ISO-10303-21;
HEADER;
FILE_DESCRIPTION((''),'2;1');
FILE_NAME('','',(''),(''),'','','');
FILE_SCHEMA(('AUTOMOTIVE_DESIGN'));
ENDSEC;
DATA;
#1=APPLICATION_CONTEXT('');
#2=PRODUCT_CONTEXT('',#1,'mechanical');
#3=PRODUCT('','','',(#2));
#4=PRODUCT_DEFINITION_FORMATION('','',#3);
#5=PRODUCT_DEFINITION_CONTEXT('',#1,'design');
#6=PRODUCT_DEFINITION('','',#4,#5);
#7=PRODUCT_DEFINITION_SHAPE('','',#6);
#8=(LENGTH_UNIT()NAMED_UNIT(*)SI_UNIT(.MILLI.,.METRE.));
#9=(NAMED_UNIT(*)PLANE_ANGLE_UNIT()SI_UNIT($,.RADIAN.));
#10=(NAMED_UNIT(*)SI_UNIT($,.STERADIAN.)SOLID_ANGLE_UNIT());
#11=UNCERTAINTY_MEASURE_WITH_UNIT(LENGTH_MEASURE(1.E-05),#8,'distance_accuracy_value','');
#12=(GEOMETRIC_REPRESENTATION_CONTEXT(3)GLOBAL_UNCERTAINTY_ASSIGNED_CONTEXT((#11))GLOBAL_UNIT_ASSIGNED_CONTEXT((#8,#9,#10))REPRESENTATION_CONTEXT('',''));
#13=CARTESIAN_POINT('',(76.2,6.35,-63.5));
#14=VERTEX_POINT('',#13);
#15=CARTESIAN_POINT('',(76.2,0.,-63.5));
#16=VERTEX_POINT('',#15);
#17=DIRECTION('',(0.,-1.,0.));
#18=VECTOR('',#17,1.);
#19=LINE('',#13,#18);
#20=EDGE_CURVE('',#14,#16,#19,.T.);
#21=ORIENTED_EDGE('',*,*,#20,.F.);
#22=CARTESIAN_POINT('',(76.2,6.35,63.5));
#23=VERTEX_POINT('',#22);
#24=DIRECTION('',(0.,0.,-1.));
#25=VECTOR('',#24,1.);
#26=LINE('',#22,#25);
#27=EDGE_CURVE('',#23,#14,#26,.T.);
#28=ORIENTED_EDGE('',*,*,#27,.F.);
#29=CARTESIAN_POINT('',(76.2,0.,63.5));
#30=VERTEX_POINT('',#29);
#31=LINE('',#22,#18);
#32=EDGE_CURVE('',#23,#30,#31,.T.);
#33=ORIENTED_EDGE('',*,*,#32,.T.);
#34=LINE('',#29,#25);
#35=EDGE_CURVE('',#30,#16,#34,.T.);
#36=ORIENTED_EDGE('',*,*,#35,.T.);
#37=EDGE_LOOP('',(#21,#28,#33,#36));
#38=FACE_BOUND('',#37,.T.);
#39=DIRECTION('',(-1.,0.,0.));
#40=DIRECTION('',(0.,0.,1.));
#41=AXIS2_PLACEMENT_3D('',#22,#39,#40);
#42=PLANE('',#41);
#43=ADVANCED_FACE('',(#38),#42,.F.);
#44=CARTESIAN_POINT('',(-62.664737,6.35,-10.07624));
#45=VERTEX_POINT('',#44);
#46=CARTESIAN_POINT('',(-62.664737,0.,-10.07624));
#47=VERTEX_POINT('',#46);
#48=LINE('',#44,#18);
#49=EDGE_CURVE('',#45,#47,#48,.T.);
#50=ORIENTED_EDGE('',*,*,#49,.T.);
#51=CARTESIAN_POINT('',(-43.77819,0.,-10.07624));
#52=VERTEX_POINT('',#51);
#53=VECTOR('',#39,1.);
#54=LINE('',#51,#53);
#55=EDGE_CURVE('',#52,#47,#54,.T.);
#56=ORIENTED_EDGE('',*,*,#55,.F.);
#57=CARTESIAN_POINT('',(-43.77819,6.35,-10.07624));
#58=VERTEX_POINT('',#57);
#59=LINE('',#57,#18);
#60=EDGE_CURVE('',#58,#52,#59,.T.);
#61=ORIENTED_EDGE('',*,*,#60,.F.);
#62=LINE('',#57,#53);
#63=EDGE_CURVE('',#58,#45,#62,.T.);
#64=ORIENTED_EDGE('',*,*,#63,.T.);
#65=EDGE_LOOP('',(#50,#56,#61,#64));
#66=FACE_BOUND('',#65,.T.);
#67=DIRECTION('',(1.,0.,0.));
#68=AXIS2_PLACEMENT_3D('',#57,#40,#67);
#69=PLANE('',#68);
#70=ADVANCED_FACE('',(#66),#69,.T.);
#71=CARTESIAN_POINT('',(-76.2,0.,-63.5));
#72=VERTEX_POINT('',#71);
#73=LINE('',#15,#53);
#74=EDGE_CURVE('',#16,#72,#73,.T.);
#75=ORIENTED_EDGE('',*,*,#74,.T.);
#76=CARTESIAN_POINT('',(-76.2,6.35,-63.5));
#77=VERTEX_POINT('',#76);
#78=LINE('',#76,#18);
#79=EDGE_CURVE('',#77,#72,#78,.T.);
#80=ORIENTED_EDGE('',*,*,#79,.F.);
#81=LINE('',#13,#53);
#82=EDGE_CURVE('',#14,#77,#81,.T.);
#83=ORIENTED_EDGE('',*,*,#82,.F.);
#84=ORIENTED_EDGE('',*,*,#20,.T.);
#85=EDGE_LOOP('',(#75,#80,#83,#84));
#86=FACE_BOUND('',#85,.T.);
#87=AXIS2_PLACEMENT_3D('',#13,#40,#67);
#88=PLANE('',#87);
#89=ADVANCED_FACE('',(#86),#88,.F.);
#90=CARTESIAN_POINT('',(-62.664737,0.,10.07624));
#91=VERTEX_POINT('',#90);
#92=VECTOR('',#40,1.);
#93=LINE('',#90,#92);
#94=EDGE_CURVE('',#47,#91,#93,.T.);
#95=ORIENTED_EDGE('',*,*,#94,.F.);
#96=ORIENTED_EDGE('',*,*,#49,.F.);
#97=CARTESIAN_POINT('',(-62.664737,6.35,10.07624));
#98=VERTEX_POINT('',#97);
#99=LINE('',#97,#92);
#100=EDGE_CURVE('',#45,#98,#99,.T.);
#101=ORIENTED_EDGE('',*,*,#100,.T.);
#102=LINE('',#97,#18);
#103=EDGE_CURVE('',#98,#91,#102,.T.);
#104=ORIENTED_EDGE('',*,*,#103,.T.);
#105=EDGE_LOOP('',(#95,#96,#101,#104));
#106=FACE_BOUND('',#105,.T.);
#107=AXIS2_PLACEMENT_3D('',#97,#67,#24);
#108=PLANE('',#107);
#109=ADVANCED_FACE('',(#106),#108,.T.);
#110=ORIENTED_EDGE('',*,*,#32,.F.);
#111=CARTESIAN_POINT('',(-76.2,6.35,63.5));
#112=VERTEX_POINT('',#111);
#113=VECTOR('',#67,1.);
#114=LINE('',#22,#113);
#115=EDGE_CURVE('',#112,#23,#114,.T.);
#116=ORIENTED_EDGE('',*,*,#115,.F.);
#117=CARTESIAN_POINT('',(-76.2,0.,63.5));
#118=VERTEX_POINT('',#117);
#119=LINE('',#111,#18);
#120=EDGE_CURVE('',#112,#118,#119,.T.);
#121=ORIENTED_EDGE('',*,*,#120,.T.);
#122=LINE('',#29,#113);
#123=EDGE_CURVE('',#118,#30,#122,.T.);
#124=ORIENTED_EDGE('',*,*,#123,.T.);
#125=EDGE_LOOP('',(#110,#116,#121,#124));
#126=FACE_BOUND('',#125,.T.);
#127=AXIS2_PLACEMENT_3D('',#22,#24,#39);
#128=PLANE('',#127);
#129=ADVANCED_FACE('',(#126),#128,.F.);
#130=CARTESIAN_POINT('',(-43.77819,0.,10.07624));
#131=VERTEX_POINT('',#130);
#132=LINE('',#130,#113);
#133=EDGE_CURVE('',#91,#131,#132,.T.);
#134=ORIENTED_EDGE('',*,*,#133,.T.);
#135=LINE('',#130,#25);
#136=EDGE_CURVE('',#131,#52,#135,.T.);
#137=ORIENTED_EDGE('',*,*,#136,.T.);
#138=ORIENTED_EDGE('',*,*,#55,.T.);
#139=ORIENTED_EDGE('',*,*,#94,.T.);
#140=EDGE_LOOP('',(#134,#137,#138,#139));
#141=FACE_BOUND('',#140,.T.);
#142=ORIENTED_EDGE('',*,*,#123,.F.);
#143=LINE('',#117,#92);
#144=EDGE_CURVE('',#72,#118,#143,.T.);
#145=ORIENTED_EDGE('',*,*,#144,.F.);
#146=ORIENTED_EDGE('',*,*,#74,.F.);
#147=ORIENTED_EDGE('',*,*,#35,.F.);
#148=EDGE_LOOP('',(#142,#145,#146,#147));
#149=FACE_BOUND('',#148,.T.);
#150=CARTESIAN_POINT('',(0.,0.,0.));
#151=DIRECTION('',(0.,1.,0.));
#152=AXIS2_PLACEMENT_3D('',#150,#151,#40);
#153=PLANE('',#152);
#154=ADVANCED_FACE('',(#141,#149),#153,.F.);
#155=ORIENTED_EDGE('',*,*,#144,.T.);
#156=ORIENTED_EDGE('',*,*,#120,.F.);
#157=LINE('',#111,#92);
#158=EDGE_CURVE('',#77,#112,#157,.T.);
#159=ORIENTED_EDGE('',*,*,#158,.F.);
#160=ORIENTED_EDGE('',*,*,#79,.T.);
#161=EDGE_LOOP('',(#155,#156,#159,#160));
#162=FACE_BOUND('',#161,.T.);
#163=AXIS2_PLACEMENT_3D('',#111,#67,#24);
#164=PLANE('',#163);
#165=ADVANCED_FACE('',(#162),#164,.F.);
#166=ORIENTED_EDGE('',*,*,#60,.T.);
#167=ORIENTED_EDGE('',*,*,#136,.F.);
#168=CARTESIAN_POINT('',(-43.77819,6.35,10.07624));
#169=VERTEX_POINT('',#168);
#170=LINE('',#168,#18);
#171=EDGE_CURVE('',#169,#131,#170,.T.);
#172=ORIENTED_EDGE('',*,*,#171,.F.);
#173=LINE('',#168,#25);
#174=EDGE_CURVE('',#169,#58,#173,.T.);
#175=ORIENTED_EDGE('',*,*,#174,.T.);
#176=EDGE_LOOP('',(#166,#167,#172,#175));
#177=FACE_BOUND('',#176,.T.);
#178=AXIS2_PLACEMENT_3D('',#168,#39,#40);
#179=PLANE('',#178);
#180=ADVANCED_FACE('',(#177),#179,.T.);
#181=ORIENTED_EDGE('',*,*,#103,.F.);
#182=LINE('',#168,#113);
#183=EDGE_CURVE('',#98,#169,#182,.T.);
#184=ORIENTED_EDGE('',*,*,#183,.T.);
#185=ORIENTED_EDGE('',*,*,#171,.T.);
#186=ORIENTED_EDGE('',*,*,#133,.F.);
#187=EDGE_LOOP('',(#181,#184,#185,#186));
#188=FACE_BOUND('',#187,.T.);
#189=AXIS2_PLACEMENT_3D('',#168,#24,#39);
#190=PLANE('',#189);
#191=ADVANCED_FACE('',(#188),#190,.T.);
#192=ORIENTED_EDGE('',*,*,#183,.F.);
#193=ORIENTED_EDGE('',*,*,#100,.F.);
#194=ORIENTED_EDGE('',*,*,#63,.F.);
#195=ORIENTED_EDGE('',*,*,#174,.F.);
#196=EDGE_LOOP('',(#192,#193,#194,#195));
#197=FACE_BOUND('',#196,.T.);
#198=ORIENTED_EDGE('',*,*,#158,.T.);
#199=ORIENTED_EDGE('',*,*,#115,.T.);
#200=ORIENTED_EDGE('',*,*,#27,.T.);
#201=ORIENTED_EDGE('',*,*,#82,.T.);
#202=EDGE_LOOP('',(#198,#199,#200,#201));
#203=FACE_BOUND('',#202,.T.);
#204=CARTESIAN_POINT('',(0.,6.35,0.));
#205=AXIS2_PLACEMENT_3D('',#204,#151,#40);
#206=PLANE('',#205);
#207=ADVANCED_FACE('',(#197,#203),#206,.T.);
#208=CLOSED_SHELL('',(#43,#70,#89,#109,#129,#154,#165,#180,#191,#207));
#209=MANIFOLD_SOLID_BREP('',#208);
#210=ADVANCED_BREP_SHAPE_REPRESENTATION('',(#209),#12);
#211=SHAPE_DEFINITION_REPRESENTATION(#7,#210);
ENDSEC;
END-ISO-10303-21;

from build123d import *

# Parameters (mm, degrees)
SKETCH1_W           = 152.4
SKETCH1_H           = 127
SKETCH1_W_2         = 18.886547239
SKETCH1_H_2         = 20.152480898
BOSS_EXTRUDE1_DEPTH = 6.35


with BuildPart() as part:
    # Sketch1 → Boss-Extrude1 (new body)
    with BuildSketch(Plane(origin=(0, 0, 0), x_dir=(1, 0, 0), z_dir=(0, 1, 0))):
        Rectangle(SKETCH1_W, SKETCH1_H)
        with Locations((-53.221463144, 0)):
            Rectangle(SKETCH1_W_2, SKETCH1_H_2, mode=Mode.SUBTRACT)
    extrude(amount=BOSS_EXTRUDE1_DEPTH)


solid = part.part
